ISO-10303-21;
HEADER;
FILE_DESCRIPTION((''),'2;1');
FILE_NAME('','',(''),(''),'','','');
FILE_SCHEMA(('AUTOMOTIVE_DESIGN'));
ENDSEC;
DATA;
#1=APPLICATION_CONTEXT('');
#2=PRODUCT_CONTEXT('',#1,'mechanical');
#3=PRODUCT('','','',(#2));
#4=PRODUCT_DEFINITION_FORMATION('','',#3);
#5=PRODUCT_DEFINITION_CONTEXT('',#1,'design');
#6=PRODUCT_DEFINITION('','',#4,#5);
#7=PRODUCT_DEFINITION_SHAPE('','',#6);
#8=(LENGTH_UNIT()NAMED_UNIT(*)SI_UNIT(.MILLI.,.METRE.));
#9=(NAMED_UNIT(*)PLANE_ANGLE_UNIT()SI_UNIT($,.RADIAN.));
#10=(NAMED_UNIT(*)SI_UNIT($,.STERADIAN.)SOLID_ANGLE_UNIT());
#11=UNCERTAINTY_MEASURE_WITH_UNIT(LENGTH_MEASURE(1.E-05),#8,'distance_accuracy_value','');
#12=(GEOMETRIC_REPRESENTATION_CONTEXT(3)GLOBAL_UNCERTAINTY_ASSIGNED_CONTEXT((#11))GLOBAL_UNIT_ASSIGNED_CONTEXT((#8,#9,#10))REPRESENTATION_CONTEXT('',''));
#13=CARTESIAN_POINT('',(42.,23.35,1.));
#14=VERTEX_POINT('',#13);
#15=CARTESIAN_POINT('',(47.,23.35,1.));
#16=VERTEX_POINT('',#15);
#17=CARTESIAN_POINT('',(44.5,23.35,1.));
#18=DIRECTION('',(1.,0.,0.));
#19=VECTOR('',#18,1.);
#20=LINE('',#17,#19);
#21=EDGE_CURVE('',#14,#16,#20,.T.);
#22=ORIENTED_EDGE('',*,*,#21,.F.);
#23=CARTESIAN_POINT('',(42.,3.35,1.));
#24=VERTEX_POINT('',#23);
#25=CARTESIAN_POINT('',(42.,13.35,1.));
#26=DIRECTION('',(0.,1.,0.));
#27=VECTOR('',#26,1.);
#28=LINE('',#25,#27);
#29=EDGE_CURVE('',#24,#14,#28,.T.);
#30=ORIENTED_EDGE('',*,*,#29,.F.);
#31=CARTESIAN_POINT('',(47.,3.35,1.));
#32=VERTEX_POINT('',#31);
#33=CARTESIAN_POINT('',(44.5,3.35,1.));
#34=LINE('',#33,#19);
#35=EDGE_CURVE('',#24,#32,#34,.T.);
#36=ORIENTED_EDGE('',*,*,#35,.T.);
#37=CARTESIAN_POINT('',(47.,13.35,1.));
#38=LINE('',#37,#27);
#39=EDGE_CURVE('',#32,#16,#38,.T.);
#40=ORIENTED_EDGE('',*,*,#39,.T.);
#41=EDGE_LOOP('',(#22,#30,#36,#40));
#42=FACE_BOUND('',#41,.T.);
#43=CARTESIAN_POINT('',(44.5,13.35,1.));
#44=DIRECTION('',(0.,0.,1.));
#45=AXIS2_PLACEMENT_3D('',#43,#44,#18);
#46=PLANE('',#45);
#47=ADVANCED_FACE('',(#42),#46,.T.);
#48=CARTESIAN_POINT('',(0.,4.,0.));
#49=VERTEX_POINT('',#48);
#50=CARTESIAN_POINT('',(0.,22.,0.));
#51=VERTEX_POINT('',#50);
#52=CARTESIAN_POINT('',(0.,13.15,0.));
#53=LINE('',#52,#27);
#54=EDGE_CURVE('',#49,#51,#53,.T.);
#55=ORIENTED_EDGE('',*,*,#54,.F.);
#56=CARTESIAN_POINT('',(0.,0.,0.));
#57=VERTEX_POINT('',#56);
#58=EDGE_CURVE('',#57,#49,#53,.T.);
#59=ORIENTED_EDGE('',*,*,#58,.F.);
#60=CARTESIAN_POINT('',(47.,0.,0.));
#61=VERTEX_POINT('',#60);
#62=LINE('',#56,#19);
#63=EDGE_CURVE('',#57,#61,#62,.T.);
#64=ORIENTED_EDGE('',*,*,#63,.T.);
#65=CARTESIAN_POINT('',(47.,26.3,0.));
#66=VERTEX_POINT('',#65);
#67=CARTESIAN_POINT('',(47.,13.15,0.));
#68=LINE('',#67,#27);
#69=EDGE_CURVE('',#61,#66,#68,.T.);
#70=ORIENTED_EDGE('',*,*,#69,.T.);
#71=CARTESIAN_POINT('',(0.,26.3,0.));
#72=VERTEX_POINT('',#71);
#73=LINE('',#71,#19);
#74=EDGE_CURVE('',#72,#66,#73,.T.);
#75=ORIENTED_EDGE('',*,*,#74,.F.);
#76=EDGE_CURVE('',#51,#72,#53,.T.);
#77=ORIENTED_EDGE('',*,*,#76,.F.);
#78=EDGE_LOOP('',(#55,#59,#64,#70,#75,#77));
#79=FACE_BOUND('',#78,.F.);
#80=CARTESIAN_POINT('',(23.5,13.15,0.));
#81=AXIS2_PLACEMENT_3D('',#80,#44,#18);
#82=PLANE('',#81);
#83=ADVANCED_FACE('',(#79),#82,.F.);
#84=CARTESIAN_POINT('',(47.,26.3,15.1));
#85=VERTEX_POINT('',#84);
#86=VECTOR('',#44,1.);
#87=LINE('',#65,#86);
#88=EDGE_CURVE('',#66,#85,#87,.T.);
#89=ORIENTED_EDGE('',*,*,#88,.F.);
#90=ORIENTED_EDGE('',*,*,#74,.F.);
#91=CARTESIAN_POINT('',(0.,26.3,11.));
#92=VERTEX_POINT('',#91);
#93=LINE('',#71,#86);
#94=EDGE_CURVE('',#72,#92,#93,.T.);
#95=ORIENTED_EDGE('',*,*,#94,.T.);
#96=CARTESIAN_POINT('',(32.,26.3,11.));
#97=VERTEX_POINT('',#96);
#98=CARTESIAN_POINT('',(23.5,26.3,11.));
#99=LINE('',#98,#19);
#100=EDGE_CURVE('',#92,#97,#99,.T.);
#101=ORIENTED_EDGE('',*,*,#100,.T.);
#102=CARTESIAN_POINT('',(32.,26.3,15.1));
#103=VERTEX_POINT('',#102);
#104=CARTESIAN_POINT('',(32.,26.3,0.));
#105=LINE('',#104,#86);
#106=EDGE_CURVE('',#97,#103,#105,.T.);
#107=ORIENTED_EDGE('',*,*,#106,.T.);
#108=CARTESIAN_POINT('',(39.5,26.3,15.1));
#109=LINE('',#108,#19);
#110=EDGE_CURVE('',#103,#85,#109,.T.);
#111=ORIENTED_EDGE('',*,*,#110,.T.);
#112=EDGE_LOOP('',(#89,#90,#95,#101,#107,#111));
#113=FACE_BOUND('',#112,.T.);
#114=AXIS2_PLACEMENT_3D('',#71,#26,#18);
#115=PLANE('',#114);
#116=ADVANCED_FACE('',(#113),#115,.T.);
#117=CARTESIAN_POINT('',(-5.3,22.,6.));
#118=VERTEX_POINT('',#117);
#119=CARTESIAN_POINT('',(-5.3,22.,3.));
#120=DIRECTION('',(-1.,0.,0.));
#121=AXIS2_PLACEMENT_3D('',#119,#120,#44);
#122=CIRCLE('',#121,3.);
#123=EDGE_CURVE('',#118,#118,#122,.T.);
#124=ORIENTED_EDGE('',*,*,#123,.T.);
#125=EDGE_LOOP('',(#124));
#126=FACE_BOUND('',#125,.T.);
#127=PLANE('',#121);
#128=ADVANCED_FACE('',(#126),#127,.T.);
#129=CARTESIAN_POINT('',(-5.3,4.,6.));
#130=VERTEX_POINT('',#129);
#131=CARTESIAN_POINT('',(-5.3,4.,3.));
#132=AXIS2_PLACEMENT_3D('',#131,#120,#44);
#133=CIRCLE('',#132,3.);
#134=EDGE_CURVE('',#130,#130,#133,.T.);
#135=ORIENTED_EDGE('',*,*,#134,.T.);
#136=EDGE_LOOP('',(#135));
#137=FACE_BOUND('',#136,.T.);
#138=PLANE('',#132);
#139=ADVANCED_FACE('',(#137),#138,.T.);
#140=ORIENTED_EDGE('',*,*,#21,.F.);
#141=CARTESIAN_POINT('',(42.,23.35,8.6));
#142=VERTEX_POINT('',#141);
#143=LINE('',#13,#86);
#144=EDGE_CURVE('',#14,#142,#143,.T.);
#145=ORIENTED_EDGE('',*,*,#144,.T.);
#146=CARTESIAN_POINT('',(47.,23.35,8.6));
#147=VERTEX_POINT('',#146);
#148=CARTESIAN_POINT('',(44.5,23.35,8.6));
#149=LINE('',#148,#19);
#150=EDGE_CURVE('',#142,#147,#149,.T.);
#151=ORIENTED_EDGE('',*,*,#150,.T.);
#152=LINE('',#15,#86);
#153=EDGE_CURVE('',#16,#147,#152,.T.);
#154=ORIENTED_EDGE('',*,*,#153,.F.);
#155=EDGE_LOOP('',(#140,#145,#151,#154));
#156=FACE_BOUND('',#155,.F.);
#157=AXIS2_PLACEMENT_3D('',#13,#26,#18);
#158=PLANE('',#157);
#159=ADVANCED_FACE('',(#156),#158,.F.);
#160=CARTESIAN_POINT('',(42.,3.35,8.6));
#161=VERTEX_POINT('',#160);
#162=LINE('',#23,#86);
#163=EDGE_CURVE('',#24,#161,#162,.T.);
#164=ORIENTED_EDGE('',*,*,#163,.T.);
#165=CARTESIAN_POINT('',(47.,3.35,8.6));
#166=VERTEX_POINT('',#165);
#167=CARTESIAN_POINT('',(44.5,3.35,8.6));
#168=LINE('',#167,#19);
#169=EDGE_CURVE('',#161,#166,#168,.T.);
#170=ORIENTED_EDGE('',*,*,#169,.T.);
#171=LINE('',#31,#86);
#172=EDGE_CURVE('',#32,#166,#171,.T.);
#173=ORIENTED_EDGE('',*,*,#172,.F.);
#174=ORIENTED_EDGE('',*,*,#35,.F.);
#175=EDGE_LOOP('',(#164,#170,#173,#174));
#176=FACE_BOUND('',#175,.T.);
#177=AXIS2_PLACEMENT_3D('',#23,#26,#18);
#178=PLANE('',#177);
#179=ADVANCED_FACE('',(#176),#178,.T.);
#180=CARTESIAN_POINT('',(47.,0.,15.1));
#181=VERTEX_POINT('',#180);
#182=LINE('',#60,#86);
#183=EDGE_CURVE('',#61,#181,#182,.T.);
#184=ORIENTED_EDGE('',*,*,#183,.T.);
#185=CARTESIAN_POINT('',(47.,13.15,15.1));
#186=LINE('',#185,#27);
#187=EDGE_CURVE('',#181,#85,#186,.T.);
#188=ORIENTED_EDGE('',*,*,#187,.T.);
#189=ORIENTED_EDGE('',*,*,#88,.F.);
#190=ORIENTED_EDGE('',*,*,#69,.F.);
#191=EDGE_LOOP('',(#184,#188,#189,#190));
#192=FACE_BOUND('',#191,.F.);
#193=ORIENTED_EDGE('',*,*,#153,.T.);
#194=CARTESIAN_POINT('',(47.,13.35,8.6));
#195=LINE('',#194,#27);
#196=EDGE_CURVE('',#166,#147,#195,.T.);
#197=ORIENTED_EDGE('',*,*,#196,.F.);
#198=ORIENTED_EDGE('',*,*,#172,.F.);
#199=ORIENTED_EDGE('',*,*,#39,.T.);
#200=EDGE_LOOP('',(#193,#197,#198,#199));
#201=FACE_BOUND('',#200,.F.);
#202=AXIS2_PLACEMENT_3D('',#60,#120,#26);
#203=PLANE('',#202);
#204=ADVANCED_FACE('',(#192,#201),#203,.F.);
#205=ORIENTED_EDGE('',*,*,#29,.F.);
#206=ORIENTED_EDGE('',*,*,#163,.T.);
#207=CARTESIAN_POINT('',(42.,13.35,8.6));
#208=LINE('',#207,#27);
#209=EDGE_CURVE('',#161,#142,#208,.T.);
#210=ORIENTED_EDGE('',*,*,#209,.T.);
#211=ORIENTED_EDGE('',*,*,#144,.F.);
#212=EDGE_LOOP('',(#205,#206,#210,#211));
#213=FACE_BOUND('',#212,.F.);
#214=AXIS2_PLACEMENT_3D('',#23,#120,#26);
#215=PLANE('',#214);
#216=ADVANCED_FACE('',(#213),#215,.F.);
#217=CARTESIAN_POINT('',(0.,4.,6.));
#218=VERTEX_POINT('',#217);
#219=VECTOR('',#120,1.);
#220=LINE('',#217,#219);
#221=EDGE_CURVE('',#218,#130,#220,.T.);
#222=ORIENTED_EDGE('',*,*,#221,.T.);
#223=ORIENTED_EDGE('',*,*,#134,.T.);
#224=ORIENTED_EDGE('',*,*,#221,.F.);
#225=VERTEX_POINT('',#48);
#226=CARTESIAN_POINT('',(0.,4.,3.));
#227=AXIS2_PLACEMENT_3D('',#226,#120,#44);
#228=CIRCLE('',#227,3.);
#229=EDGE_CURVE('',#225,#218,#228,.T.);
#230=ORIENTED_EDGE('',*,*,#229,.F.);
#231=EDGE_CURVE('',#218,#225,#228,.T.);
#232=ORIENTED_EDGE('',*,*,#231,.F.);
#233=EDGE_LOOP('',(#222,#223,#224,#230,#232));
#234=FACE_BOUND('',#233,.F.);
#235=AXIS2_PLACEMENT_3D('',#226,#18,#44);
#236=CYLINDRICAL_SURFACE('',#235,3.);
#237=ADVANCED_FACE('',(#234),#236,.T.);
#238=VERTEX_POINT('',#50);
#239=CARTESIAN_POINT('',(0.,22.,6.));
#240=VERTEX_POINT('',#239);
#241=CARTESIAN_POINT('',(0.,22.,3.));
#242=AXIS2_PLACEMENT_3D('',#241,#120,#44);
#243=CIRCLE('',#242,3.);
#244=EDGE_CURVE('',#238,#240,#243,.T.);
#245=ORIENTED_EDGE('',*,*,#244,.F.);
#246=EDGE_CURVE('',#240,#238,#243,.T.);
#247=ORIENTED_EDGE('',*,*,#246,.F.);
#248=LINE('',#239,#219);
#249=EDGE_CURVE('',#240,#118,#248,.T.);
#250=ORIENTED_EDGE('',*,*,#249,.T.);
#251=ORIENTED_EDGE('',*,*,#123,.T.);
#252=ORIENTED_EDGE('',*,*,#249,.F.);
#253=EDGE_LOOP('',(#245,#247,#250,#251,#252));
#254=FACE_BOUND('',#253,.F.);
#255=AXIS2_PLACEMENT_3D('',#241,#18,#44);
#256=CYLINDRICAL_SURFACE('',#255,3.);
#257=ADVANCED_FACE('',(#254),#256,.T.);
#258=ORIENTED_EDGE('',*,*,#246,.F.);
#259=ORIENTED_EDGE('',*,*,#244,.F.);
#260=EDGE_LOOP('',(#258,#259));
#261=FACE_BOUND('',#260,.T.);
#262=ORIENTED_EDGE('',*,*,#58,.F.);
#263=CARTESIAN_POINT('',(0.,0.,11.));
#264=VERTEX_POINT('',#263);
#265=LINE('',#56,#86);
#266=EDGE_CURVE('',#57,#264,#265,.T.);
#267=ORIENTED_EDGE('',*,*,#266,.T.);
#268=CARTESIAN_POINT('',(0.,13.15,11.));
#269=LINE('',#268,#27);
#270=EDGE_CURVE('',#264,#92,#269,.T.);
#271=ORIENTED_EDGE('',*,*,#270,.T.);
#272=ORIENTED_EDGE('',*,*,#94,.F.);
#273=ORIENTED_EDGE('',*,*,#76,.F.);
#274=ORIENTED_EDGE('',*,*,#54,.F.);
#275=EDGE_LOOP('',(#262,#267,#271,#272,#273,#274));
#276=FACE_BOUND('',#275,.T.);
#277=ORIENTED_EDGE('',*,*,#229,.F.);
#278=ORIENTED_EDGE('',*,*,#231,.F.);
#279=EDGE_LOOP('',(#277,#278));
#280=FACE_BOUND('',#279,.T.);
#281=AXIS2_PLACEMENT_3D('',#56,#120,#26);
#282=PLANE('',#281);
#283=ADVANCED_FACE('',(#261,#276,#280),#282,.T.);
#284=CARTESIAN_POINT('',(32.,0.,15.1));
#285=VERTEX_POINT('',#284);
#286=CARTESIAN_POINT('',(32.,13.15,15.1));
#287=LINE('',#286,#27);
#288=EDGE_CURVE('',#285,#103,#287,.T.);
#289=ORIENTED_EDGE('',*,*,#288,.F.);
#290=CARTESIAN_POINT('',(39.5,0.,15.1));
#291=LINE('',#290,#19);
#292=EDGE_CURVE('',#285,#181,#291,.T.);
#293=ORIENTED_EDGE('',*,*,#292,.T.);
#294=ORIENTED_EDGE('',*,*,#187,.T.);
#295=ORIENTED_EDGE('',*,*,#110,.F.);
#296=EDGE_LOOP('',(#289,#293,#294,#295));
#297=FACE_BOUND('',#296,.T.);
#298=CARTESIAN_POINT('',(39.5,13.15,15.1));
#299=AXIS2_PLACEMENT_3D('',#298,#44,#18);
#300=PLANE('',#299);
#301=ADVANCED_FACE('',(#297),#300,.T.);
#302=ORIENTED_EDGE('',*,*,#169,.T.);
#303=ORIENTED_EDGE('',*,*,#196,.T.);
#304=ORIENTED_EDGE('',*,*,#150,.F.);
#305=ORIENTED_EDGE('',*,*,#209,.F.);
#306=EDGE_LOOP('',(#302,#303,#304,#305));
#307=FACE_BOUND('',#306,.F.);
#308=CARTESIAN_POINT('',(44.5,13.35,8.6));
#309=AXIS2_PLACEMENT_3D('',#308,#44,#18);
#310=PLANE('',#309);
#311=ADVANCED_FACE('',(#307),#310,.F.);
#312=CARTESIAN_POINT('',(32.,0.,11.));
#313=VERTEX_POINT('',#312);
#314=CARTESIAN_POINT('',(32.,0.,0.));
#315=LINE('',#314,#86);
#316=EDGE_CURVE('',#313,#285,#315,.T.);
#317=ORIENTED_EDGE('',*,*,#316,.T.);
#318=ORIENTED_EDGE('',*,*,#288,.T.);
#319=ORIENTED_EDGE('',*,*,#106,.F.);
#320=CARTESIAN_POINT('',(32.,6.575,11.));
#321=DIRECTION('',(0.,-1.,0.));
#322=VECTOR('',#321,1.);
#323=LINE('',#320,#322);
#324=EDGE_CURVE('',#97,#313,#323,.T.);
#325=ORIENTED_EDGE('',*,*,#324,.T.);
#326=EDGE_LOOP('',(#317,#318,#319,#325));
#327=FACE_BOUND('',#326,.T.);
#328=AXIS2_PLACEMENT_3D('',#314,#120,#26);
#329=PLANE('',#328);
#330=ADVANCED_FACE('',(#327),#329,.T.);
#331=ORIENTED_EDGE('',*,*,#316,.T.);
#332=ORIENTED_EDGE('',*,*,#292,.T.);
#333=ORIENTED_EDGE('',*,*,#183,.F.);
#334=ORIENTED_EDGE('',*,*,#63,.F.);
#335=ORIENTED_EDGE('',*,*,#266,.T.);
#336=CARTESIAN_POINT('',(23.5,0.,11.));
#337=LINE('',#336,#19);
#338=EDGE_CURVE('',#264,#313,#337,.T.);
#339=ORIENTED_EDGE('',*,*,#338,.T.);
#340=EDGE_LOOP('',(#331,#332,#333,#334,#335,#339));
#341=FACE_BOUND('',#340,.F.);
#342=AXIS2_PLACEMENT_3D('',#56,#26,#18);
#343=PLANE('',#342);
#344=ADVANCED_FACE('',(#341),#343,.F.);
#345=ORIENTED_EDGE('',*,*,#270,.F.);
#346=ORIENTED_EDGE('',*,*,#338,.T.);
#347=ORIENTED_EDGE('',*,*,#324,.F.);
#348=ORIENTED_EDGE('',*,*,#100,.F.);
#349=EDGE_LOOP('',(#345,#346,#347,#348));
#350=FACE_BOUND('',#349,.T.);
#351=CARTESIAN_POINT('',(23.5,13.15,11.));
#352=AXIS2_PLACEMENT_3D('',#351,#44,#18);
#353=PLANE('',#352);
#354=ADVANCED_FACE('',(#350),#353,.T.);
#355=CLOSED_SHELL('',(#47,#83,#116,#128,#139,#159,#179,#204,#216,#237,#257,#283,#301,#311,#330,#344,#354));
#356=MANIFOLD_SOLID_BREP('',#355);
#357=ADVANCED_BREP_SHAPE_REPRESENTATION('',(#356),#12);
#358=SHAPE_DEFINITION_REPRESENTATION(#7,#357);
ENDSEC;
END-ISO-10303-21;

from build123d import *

# Parameters (mm, degrees)
BOX002_W          = 5
BOX002_H          = 20
BOX002_DEPTH      = 7.6
BOX001_W          = 15
BOX001_H          = 26.3
BOX001_DEPTH      = 15.1
CYLINDER_R        = 3
CYLINDER_DEPTH    = 5.3
CYLINDER001_R     = 3
CYLINDER001_DEPTH = 5.3
BOX_W             = 47
BOX_H             = 26.3
BOX_DEPTH         = 11


with BuildPart() as plugs:
    # Box002 → Box002 (new body)
    with BuildSketch(Plane(origin=(42, 3.35, 1), x_dir=(1, 0, 0), z_dir=(0, 0, 1))):
        with Locations((2.5, 10)):
            Rectangle(BOX002_W, BOX002_H)
    extrude(amount=BOX002_DEPTH)


with BuildPart() as cube001:
    # Box001 → Box001 (new body)
    with BuildSketch(Plane(origin=(32, 0, 0), x_dir=(1, 0, 0), z_dir=(0, 0, 1))):
        with Locations((7.5, 13.15)):
            Rectangle(BOX001_W, BOX001_H)
    extrude(amount=BOX001_DEPTH)


with BuildPart() as cylinder:
    # Cylinder → Cylinder (new body)
    with BuildSketch(Plane(origin=(0, 4, 3), x_dir=(0, 0, 1), z_dir=(-1, 0, 0))):
        Circle(CYLINDER_R)
    extrude(amount=CYLINDER_DEPTH)


with BuildPart() as cylinder001:
    # Cylinder001 → Cylinder001 (new body)
    with BuildSketch(Plane(origin=(0, 22, 3), x_dir=(0, 0, 1), z_dir=(-1, 0, 0))):
        Circle(CYLINDER001_R)
    extrude(amount=CYLINDER001_DEPTH)


with BuildPart() as receiver_model:
    # Box → Box (new body)
    with BuildSketch(Plane.XY):
        with Locations((23.5, 13.15)):
            Rectangle(BOX_W, BOX_H)
    extrude(amount=BOX_DEPTH)

    # Fusion: union Cube001, Cylinder, Cylinder001
    add(cube001.part)
    add(cylinder.part)
    add(cylinder001.part)

    # Cut: cut Plugs
    add(plugs.part, mode=Mode.SUBTRACT)


solid = receiver_model.part
